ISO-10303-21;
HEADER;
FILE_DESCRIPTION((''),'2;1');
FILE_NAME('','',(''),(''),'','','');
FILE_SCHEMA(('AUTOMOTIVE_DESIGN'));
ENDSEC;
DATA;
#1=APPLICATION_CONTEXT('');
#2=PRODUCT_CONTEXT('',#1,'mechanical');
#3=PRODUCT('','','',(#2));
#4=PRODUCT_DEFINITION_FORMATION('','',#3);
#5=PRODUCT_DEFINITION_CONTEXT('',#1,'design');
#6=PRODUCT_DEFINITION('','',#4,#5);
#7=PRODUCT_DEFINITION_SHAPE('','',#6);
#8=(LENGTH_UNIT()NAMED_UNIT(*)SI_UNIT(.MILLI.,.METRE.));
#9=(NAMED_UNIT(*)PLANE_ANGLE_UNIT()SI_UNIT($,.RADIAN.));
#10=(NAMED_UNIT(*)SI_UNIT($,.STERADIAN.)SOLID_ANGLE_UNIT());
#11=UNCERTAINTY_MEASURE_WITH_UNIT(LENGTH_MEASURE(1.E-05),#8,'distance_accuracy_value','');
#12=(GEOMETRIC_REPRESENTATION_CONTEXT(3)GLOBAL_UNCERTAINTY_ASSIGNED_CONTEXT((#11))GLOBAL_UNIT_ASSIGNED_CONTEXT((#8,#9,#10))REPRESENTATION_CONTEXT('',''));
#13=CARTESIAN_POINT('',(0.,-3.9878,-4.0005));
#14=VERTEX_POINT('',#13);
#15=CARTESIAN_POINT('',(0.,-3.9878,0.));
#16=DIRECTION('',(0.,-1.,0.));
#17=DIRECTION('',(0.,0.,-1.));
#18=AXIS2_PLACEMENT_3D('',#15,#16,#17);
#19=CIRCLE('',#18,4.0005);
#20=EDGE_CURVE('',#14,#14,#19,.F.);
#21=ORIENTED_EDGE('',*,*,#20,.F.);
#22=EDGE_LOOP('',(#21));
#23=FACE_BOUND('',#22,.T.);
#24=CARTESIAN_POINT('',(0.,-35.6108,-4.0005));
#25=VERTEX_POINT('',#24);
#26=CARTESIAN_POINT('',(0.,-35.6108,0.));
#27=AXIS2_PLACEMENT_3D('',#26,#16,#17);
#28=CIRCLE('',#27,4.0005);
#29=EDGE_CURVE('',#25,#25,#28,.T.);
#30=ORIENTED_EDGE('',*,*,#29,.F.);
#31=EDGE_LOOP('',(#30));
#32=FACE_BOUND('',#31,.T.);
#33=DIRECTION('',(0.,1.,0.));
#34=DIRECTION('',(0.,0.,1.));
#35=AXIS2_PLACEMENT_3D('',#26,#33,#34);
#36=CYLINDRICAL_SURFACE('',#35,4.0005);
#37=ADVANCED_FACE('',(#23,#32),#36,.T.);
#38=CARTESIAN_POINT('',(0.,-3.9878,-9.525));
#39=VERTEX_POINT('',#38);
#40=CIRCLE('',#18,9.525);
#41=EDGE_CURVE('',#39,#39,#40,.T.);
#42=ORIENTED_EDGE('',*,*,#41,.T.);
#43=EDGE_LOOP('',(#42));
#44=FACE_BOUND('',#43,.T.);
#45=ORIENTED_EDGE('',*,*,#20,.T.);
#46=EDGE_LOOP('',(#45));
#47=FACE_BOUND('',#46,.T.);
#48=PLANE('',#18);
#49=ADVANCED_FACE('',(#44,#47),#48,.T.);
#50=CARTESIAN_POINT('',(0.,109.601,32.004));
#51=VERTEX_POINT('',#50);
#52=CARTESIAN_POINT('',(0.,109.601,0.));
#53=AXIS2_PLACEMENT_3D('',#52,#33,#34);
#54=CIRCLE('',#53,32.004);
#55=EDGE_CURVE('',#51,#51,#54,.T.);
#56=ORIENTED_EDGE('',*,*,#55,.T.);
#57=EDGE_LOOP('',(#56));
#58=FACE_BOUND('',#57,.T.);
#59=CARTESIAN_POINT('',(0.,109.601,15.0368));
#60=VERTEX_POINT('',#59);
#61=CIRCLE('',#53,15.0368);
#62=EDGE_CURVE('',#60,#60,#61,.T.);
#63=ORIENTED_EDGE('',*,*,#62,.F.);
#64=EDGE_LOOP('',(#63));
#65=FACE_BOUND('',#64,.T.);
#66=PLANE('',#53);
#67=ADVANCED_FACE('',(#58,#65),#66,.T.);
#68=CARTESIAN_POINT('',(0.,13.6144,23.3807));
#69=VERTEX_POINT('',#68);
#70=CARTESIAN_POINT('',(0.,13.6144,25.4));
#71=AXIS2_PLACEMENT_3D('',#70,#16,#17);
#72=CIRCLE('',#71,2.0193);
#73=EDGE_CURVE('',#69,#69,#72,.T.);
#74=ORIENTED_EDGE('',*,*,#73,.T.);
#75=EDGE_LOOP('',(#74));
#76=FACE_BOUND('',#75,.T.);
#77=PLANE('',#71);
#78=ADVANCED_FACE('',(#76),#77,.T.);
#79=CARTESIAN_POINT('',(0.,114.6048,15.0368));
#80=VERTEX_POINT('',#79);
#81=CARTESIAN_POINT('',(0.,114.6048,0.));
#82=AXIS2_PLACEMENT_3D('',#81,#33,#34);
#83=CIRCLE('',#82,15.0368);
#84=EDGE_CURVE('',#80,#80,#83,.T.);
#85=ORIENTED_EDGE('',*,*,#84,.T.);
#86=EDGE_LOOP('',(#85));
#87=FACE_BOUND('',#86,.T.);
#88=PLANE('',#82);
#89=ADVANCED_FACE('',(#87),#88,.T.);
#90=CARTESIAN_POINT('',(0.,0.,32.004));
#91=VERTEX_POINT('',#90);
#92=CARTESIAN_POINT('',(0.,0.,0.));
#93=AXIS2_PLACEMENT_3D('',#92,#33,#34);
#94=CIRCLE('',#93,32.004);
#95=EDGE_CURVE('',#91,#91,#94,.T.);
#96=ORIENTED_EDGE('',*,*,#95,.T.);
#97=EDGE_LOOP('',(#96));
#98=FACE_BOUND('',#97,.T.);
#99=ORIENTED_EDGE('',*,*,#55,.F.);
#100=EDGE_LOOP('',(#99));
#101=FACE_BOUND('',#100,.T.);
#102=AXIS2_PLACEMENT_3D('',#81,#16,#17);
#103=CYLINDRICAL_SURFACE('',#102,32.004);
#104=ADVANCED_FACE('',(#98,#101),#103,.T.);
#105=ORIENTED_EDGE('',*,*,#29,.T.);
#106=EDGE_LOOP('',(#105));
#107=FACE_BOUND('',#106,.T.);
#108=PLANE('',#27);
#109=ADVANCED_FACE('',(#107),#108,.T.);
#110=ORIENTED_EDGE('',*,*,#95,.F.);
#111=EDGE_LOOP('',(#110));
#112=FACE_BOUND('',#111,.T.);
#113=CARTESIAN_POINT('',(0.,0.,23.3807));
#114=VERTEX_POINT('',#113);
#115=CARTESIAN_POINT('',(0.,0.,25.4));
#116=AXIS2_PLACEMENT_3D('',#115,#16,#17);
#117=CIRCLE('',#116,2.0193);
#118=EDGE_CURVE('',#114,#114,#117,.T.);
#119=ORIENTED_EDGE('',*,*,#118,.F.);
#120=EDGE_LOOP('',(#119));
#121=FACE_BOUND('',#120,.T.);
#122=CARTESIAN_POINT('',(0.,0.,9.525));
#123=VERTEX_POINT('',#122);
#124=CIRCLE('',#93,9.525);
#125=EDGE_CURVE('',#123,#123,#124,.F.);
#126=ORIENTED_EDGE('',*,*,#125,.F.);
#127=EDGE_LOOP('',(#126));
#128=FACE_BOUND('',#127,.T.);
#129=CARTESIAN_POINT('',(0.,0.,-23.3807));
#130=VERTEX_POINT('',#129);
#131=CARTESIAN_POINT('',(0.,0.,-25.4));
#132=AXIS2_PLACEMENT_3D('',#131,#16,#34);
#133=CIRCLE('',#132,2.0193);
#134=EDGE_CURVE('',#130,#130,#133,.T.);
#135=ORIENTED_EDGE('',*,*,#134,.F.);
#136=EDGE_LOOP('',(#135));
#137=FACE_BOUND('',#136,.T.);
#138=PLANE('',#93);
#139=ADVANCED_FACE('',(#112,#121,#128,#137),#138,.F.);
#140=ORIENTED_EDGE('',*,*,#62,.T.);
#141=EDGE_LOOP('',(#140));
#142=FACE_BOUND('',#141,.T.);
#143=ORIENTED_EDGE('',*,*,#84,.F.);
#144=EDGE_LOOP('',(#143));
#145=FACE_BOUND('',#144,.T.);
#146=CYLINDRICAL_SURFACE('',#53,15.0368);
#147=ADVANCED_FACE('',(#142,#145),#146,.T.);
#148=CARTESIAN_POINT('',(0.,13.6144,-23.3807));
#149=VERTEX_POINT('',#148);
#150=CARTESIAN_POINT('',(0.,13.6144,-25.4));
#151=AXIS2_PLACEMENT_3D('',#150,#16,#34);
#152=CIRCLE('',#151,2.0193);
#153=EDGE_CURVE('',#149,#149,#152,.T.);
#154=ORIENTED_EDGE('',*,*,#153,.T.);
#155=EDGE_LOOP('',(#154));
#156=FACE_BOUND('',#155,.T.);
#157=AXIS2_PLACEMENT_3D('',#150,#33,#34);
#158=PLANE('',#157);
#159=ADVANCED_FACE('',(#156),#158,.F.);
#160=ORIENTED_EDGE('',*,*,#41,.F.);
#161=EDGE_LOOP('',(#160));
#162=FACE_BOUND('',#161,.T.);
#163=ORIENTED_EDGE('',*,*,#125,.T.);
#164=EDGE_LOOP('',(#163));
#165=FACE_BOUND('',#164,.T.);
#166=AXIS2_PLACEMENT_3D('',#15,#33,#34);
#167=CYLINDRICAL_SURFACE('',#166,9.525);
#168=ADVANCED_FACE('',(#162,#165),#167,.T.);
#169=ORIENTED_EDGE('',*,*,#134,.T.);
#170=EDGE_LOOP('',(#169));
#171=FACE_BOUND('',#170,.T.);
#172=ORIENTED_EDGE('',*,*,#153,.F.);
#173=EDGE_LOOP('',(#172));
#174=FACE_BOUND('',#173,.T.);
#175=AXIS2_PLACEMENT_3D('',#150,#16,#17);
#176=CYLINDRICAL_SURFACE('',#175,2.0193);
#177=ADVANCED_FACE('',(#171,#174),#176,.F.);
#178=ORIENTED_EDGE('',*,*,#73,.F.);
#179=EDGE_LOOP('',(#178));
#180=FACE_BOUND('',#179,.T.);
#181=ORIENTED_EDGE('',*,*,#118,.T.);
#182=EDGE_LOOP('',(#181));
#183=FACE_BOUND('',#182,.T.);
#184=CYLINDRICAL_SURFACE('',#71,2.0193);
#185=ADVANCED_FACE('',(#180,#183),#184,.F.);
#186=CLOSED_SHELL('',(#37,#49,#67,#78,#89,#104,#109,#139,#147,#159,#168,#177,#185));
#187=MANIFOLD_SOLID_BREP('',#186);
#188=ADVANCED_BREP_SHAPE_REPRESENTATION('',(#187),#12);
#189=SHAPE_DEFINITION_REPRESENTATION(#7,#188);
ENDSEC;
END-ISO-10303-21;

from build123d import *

# Parameters (mm, degrees)
SKETCH1_R           = 32.004
BOSS_EXTRUDE1_DEPTH = 114.6048
SKETCH2_R           = 32.004
SKETCH2_R_2         = 15.0368
CUT_EXTRUDE1_DEPTH  = 5.0038
SKETCH3_R           = 2.0193
CUT_EXTRUDE2_DEPTH  = 13.6144
SKETCH4_R           = 9.525
BOSS_EXTRUDE2_DEPTH = 3.9878
SKETCH6_R           = 4.0005
BOSS_EXTRUDE3_DEPTH = 35.6108


with BuildPart() as part:
    # Sketch1 → Boss-Extrude1 (new body)
    with BuildSketch(Plane(origin=(0, 0, 0), x_dir=(1, 0, 0), z_dir=(0, 1, 0))):
        Circle(SKETCH1_R)
    extrude(amount=BOSS_EXTRUDE1_DEPTH)

    # Sketch2 → Cut-Extrude1 (cut)
    with BuildSketch(Plane(origin=(0, 114.6048, 0), x_dir=(1, 0, 0), z_dir=(0, 1, 0))):
        Circle(SKETCH2_R)
        Circle(SKETCH2_R_2, mode=Mode.SUBTRACT)
    extrude(amount=-CUT_EXTRUDE1_DEPTH, mode=Mode.SUBTRACT)

    # Sketch3 → Cut-Extrude2 (cut)
    with BuildSketch(Plane(origin=(0, 0, 0), x_dir=(-1, 0, 0), z_dir=(0, -1, 0))):
        with Locations((0, -25.4)):
            Circle(SKETCH3_R)
        with Locations((0, 25.4)):
            Circle(SKETCH3_R)
    extrude(amount=-CUT_EXTRUDE2_DEPTH, mode=Mode.SUBTRACT)

    # Sketch4 → Boss-Extrude2 (add)
    with BuildSketch(Plane.XZ):
        Circle(SKETCH4_R)
    extrude(amount=BOSS_EXTRUDE2_DEPTH)

    # Sketch6 → Boss-Extrude3 (add)
    with BuildSketch(Plane(origin=(0, 0, 0), x_dir=(-1, 0, 0), z_dir=(0, -1, 0))):
        Circle(SKETCH6_R)
    extrude(amount=BOSS_EXTRUDE3_DEPTH)


solid = part.part
